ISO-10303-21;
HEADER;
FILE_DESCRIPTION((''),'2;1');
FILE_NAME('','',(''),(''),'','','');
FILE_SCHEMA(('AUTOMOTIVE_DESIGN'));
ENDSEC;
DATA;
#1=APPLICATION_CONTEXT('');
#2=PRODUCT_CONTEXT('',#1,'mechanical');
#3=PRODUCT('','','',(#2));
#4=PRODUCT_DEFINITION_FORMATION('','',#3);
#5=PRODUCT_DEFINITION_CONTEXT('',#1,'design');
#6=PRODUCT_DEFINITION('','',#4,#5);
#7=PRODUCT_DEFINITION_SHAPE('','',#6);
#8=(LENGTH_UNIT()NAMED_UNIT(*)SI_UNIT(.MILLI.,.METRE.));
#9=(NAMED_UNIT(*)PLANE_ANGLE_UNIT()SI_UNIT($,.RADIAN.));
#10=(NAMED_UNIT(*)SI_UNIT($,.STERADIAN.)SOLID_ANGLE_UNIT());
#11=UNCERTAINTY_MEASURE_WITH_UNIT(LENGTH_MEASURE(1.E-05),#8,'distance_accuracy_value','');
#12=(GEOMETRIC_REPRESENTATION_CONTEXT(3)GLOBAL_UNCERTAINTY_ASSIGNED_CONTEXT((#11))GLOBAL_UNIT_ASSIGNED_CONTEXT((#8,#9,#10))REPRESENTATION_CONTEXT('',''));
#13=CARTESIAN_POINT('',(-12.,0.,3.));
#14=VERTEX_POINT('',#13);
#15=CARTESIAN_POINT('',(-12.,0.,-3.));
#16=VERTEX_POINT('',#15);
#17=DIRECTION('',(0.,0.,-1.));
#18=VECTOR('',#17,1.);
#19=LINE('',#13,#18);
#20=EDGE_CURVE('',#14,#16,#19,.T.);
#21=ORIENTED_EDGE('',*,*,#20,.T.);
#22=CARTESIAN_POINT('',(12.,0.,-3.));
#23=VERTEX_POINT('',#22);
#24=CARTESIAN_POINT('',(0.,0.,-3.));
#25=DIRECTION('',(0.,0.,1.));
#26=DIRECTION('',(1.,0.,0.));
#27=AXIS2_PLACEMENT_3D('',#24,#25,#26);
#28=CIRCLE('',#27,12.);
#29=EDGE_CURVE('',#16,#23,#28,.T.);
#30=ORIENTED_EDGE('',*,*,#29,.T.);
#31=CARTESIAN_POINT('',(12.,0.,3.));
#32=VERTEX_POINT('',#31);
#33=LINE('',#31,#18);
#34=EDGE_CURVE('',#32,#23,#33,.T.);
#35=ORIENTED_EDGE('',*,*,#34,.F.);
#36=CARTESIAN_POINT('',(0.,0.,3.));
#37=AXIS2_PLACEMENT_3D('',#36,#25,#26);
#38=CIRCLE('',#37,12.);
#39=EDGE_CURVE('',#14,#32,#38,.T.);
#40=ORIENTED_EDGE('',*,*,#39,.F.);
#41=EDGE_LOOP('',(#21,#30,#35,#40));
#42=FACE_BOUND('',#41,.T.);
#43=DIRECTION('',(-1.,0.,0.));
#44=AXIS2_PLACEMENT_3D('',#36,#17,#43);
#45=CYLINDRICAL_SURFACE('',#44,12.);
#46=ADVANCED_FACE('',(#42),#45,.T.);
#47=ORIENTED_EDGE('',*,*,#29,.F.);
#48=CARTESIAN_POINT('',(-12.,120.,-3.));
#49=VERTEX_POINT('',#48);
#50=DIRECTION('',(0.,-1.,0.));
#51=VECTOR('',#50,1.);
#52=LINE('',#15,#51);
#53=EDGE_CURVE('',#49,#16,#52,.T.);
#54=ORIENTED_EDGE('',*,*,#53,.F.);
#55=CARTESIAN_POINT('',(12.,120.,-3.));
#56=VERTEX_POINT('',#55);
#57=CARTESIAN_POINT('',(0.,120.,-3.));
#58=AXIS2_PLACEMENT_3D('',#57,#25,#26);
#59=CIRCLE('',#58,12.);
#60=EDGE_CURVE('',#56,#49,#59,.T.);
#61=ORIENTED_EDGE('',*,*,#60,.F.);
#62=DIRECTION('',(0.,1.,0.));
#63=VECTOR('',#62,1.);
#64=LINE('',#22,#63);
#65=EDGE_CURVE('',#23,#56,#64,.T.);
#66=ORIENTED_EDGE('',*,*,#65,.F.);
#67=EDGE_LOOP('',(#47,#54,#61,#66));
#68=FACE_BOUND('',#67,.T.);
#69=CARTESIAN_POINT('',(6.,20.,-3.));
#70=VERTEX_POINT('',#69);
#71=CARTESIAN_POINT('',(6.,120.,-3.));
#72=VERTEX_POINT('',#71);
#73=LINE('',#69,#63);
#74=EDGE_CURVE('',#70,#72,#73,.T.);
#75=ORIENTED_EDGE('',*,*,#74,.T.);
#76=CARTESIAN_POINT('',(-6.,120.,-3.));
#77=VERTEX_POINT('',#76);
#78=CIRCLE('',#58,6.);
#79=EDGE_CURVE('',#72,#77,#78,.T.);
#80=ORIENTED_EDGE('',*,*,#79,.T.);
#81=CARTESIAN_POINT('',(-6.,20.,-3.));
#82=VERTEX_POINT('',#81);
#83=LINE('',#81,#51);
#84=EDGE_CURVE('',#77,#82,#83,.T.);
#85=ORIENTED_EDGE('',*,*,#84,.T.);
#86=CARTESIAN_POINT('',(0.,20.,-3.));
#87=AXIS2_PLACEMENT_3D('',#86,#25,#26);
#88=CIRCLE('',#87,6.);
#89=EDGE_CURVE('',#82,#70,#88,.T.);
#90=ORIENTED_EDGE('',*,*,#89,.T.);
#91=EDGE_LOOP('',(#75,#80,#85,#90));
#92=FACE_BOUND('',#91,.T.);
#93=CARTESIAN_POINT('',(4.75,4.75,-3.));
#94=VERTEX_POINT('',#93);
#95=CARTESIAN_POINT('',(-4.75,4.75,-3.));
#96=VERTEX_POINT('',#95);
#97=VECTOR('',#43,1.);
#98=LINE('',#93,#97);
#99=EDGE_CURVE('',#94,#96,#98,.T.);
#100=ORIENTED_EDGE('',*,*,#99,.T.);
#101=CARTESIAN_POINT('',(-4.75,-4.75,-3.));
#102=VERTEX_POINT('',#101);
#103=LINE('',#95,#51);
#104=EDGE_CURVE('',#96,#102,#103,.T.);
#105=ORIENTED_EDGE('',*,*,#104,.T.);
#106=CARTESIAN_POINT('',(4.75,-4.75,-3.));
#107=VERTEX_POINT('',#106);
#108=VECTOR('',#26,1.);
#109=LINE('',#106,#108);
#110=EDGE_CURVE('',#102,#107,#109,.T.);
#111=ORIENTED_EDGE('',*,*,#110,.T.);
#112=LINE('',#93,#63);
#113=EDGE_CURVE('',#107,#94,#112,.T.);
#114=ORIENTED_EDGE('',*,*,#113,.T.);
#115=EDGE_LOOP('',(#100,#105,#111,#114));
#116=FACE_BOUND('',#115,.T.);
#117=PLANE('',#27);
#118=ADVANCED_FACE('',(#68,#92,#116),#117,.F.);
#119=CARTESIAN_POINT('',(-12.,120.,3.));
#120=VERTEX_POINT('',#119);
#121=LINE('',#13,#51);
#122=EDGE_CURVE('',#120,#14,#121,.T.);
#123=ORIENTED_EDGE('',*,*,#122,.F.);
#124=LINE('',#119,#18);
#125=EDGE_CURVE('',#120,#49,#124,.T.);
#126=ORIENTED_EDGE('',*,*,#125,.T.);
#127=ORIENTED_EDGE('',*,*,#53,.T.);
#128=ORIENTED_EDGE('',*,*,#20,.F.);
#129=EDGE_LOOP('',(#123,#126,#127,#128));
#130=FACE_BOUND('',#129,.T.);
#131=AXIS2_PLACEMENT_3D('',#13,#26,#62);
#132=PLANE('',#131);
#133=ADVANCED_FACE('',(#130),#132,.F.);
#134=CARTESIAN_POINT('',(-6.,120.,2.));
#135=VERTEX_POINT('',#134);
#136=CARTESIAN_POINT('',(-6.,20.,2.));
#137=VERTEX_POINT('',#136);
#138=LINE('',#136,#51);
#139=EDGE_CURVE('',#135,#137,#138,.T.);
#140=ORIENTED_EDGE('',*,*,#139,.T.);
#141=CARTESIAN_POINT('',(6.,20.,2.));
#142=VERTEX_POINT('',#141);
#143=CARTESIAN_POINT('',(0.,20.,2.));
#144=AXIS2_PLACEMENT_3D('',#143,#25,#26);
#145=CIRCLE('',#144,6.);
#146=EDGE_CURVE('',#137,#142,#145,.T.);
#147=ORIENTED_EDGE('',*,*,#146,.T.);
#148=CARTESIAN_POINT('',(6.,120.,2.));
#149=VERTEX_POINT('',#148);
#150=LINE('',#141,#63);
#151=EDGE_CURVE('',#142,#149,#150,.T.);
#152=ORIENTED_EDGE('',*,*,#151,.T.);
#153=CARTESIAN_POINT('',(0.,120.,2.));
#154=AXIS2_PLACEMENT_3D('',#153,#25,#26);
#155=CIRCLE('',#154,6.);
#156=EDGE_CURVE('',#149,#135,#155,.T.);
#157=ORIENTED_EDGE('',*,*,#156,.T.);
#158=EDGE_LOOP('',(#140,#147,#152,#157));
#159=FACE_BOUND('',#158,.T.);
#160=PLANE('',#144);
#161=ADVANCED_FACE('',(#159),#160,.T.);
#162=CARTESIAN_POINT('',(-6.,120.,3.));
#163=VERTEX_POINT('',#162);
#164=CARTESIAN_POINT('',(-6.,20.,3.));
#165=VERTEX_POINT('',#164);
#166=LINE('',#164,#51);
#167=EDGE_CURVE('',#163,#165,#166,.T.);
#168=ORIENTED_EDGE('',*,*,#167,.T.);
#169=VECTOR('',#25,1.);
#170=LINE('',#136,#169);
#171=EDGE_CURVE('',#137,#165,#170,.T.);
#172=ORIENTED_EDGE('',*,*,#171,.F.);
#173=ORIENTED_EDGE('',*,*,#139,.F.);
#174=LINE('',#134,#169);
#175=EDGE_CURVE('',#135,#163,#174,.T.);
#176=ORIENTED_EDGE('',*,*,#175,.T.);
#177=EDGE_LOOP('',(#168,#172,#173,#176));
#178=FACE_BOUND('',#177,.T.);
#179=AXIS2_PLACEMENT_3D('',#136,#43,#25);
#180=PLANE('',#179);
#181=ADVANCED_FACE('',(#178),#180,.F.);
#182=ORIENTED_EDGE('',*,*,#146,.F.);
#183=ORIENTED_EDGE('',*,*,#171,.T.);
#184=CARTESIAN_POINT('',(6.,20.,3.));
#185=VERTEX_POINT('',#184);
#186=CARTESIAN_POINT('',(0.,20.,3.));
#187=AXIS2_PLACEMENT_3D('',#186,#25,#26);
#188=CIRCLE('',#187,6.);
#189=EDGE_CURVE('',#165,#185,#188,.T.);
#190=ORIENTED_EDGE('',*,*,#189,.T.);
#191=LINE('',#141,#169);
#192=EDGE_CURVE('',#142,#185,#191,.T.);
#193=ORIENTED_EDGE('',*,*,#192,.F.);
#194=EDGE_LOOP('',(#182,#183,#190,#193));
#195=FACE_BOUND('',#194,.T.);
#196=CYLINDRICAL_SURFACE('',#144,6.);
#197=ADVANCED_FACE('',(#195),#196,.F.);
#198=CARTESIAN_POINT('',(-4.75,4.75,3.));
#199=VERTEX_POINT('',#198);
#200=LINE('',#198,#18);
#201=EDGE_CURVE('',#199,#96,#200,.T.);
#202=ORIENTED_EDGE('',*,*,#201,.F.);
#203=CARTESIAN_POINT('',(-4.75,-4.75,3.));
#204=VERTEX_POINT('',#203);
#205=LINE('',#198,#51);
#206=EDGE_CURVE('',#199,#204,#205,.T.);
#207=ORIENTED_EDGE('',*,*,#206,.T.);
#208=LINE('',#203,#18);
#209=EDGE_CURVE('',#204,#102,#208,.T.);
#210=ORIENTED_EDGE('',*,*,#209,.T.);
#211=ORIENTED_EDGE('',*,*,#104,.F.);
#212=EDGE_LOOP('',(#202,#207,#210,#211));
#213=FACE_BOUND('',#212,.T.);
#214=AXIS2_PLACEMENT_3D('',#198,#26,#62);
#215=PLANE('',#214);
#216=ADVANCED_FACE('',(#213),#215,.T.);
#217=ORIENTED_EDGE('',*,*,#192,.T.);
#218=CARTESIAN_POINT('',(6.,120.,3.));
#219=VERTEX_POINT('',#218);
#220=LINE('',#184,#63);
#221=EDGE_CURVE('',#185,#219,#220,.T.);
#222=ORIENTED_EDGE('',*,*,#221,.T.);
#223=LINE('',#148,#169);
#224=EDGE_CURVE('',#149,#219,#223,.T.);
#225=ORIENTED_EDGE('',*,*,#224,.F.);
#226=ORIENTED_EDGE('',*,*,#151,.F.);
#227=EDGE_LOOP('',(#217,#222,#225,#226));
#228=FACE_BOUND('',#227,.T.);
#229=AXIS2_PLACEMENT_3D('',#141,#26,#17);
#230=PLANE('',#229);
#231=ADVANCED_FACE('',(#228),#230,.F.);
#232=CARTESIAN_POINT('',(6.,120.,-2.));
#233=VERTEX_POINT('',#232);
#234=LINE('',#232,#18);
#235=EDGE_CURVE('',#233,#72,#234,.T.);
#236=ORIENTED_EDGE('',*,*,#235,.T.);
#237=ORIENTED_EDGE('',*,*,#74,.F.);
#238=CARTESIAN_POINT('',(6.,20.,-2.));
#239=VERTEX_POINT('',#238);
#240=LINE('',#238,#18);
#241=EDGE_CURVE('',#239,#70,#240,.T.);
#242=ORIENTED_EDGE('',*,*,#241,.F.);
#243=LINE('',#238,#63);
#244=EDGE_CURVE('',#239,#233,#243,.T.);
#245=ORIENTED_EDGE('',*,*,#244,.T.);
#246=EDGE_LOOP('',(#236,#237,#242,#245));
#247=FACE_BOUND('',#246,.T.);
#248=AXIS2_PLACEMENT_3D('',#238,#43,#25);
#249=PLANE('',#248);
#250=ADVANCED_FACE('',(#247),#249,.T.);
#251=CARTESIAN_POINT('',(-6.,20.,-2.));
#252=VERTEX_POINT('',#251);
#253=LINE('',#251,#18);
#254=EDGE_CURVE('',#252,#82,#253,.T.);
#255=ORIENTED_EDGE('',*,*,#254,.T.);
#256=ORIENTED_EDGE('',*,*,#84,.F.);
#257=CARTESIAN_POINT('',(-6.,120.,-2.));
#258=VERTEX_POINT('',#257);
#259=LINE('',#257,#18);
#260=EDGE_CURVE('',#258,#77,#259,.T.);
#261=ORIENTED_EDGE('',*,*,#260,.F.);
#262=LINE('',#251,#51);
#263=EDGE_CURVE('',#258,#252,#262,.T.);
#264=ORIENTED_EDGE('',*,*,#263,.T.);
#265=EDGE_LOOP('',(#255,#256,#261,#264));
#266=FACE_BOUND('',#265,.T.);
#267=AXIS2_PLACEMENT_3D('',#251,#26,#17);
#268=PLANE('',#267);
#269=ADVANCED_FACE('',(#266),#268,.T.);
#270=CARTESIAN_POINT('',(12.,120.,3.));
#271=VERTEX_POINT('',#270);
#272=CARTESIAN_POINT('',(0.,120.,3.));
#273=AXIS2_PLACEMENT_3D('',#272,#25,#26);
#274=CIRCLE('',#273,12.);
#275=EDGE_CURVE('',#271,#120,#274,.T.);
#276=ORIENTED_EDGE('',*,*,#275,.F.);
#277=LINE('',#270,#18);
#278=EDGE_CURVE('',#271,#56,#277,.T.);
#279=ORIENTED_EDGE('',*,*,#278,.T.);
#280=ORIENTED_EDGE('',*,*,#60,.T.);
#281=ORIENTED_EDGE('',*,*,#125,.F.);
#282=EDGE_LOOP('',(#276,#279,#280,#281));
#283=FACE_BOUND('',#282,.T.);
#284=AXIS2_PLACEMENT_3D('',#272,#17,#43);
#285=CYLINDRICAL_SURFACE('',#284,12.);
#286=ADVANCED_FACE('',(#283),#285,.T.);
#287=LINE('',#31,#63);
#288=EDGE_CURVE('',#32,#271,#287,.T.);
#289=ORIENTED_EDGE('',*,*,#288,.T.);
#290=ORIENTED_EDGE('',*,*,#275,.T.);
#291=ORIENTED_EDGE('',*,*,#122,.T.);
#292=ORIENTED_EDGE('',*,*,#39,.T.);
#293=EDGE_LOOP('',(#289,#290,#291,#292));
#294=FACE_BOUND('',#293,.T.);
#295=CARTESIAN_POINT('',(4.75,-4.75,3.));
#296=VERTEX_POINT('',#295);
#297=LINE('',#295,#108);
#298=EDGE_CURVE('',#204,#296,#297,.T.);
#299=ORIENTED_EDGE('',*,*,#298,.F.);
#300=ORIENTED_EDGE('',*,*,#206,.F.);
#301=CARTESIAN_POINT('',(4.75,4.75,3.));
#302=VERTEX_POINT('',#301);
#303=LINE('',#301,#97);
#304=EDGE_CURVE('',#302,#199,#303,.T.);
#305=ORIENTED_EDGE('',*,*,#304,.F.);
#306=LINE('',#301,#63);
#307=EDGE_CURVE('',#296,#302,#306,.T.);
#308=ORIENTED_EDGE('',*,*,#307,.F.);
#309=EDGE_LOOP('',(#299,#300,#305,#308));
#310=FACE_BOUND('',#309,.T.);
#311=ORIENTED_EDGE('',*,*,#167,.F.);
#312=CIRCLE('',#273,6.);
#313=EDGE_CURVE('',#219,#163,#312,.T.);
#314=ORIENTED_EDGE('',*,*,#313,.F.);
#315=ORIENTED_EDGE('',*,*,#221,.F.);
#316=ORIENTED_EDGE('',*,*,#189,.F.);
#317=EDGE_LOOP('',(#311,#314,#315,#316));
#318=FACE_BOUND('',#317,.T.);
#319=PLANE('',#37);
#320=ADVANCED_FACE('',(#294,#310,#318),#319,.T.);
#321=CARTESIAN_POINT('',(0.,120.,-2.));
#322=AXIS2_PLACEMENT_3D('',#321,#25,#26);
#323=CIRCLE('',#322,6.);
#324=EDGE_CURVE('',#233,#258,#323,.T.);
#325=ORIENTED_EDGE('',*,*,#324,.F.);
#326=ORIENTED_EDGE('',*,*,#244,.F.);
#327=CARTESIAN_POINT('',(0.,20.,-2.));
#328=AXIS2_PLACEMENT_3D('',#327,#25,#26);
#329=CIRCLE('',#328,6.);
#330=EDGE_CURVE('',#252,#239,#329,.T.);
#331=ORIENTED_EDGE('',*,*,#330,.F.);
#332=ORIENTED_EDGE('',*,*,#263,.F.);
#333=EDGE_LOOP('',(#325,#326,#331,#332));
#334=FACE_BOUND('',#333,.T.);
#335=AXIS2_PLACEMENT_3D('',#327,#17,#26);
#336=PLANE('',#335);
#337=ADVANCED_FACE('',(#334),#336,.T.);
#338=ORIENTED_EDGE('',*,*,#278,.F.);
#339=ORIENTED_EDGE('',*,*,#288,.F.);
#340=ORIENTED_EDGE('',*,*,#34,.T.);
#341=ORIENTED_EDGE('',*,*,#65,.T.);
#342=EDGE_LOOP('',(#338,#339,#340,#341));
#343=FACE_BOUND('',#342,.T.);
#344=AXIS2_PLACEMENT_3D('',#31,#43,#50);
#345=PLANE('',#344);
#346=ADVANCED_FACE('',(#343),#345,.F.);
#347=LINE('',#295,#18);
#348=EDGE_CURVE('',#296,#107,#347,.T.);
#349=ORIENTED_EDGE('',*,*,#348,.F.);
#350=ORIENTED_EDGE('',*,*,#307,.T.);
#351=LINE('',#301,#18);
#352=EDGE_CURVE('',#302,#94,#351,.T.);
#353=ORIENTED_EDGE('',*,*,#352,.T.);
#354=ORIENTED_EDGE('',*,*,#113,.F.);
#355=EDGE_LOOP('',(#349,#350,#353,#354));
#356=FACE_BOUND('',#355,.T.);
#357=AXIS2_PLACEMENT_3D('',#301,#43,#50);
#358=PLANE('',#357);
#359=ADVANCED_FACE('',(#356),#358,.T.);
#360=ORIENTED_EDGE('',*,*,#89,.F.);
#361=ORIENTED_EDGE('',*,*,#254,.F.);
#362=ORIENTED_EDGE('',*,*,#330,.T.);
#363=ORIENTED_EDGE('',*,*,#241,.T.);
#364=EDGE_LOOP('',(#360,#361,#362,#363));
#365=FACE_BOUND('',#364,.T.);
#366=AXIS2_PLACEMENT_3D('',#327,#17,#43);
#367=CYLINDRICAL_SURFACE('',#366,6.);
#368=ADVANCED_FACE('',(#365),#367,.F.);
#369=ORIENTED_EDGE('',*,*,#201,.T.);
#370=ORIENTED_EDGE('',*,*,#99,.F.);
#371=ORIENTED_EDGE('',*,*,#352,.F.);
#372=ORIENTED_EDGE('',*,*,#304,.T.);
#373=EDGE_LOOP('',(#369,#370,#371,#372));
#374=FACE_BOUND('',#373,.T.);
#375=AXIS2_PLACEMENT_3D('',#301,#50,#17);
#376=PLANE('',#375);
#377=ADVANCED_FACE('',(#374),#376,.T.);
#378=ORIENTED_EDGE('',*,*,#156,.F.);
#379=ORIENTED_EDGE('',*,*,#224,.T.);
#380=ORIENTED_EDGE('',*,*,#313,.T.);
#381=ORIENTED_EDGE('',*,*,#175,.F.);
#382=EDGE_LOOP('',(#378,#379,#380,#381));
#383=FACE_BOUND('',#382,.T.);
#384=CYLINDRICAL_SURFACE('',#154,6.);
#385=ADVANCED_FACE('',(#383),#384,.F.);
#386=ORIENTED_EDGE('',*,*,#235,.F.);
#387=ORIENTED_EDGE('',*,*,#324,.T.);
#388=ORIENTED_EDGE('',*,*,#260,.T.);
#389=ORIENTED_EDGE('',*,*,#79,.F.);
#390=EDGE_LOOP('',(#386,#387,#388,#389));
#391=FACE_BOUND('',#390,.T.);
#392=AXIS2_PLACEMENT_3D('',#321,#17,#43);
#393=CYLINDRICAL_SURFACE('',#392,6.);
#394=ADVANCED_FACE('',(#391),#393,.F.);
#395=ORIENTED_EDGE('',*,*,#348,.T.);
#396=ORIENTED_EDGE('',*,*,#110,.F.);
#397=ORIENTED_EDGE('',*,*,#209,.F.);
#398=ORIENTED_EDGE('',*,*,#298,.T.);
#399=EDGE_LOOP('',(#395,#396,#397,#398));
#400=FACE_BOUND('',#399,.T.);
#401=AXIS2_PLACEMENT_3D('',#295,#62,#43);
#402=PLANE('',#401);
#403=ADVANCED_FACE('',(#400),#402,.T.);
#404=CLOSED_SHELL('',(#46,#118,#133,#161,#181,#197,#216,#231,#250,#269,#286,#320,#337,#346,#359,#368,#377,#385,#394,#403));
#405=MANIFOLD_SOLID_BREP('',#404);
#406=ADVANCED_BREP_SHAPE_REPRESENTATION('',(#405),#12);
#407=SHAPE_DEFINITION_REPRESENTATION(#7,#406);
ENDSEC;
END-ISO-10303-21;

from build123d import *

# Parameters (mm, degrees)
SKETCH_1_W          = 9.5
SKETCH_1_H          = 9.5
EXTRUDE_1_DEPTH     = 3
CUT_EXTRUDE_1_DEPTH = 1


with BuildPart() as part:
    # 草图1 → 凸台-拉伸1 (new body, symmetric)
    with BuildSketch(Plane.XY):
        with BuildLine():
            Line((-12, 0), (-12, 120))
            ThreePointArc((-12, 120), (0, 132), (12, 120))
            Line((12, 120), (12, 0))
            ThreePointArc((12, 0), (0, -12), (-12, 0))
        make_face()
        Rectangle(SKETCH_1_W, SKETCH_1_H, mode=Mode.SUBTRACT)
    extrude(amount=EXTRUDE_1_DEPTH, both=True)

    # 草图2 → 切除-拉伸1 (cut)
    with BuildSketch(Plane.XY.offset(3)):
        with BuildLine():
            Line((-6, 20), (-6, 120))
            ThreePointArc((-6, 120), (0, 126), (6, 120))
            Line((6, 120), (6, 20))
            ThreePointArc((6, 20), (0, 14), (-6, 20))
        make_face()
    cut_extrude_1 = extrude(amount=-CUT_EXTRUDE_1_DEPTH, mode=Mode.SUBTRACT)

    # 镜向1: 切除-拉伸1 across plane
    add(cut_extrude_1.mirror(Plane.XY), mode=Mode.SUBTRACT)


solid = part.part
